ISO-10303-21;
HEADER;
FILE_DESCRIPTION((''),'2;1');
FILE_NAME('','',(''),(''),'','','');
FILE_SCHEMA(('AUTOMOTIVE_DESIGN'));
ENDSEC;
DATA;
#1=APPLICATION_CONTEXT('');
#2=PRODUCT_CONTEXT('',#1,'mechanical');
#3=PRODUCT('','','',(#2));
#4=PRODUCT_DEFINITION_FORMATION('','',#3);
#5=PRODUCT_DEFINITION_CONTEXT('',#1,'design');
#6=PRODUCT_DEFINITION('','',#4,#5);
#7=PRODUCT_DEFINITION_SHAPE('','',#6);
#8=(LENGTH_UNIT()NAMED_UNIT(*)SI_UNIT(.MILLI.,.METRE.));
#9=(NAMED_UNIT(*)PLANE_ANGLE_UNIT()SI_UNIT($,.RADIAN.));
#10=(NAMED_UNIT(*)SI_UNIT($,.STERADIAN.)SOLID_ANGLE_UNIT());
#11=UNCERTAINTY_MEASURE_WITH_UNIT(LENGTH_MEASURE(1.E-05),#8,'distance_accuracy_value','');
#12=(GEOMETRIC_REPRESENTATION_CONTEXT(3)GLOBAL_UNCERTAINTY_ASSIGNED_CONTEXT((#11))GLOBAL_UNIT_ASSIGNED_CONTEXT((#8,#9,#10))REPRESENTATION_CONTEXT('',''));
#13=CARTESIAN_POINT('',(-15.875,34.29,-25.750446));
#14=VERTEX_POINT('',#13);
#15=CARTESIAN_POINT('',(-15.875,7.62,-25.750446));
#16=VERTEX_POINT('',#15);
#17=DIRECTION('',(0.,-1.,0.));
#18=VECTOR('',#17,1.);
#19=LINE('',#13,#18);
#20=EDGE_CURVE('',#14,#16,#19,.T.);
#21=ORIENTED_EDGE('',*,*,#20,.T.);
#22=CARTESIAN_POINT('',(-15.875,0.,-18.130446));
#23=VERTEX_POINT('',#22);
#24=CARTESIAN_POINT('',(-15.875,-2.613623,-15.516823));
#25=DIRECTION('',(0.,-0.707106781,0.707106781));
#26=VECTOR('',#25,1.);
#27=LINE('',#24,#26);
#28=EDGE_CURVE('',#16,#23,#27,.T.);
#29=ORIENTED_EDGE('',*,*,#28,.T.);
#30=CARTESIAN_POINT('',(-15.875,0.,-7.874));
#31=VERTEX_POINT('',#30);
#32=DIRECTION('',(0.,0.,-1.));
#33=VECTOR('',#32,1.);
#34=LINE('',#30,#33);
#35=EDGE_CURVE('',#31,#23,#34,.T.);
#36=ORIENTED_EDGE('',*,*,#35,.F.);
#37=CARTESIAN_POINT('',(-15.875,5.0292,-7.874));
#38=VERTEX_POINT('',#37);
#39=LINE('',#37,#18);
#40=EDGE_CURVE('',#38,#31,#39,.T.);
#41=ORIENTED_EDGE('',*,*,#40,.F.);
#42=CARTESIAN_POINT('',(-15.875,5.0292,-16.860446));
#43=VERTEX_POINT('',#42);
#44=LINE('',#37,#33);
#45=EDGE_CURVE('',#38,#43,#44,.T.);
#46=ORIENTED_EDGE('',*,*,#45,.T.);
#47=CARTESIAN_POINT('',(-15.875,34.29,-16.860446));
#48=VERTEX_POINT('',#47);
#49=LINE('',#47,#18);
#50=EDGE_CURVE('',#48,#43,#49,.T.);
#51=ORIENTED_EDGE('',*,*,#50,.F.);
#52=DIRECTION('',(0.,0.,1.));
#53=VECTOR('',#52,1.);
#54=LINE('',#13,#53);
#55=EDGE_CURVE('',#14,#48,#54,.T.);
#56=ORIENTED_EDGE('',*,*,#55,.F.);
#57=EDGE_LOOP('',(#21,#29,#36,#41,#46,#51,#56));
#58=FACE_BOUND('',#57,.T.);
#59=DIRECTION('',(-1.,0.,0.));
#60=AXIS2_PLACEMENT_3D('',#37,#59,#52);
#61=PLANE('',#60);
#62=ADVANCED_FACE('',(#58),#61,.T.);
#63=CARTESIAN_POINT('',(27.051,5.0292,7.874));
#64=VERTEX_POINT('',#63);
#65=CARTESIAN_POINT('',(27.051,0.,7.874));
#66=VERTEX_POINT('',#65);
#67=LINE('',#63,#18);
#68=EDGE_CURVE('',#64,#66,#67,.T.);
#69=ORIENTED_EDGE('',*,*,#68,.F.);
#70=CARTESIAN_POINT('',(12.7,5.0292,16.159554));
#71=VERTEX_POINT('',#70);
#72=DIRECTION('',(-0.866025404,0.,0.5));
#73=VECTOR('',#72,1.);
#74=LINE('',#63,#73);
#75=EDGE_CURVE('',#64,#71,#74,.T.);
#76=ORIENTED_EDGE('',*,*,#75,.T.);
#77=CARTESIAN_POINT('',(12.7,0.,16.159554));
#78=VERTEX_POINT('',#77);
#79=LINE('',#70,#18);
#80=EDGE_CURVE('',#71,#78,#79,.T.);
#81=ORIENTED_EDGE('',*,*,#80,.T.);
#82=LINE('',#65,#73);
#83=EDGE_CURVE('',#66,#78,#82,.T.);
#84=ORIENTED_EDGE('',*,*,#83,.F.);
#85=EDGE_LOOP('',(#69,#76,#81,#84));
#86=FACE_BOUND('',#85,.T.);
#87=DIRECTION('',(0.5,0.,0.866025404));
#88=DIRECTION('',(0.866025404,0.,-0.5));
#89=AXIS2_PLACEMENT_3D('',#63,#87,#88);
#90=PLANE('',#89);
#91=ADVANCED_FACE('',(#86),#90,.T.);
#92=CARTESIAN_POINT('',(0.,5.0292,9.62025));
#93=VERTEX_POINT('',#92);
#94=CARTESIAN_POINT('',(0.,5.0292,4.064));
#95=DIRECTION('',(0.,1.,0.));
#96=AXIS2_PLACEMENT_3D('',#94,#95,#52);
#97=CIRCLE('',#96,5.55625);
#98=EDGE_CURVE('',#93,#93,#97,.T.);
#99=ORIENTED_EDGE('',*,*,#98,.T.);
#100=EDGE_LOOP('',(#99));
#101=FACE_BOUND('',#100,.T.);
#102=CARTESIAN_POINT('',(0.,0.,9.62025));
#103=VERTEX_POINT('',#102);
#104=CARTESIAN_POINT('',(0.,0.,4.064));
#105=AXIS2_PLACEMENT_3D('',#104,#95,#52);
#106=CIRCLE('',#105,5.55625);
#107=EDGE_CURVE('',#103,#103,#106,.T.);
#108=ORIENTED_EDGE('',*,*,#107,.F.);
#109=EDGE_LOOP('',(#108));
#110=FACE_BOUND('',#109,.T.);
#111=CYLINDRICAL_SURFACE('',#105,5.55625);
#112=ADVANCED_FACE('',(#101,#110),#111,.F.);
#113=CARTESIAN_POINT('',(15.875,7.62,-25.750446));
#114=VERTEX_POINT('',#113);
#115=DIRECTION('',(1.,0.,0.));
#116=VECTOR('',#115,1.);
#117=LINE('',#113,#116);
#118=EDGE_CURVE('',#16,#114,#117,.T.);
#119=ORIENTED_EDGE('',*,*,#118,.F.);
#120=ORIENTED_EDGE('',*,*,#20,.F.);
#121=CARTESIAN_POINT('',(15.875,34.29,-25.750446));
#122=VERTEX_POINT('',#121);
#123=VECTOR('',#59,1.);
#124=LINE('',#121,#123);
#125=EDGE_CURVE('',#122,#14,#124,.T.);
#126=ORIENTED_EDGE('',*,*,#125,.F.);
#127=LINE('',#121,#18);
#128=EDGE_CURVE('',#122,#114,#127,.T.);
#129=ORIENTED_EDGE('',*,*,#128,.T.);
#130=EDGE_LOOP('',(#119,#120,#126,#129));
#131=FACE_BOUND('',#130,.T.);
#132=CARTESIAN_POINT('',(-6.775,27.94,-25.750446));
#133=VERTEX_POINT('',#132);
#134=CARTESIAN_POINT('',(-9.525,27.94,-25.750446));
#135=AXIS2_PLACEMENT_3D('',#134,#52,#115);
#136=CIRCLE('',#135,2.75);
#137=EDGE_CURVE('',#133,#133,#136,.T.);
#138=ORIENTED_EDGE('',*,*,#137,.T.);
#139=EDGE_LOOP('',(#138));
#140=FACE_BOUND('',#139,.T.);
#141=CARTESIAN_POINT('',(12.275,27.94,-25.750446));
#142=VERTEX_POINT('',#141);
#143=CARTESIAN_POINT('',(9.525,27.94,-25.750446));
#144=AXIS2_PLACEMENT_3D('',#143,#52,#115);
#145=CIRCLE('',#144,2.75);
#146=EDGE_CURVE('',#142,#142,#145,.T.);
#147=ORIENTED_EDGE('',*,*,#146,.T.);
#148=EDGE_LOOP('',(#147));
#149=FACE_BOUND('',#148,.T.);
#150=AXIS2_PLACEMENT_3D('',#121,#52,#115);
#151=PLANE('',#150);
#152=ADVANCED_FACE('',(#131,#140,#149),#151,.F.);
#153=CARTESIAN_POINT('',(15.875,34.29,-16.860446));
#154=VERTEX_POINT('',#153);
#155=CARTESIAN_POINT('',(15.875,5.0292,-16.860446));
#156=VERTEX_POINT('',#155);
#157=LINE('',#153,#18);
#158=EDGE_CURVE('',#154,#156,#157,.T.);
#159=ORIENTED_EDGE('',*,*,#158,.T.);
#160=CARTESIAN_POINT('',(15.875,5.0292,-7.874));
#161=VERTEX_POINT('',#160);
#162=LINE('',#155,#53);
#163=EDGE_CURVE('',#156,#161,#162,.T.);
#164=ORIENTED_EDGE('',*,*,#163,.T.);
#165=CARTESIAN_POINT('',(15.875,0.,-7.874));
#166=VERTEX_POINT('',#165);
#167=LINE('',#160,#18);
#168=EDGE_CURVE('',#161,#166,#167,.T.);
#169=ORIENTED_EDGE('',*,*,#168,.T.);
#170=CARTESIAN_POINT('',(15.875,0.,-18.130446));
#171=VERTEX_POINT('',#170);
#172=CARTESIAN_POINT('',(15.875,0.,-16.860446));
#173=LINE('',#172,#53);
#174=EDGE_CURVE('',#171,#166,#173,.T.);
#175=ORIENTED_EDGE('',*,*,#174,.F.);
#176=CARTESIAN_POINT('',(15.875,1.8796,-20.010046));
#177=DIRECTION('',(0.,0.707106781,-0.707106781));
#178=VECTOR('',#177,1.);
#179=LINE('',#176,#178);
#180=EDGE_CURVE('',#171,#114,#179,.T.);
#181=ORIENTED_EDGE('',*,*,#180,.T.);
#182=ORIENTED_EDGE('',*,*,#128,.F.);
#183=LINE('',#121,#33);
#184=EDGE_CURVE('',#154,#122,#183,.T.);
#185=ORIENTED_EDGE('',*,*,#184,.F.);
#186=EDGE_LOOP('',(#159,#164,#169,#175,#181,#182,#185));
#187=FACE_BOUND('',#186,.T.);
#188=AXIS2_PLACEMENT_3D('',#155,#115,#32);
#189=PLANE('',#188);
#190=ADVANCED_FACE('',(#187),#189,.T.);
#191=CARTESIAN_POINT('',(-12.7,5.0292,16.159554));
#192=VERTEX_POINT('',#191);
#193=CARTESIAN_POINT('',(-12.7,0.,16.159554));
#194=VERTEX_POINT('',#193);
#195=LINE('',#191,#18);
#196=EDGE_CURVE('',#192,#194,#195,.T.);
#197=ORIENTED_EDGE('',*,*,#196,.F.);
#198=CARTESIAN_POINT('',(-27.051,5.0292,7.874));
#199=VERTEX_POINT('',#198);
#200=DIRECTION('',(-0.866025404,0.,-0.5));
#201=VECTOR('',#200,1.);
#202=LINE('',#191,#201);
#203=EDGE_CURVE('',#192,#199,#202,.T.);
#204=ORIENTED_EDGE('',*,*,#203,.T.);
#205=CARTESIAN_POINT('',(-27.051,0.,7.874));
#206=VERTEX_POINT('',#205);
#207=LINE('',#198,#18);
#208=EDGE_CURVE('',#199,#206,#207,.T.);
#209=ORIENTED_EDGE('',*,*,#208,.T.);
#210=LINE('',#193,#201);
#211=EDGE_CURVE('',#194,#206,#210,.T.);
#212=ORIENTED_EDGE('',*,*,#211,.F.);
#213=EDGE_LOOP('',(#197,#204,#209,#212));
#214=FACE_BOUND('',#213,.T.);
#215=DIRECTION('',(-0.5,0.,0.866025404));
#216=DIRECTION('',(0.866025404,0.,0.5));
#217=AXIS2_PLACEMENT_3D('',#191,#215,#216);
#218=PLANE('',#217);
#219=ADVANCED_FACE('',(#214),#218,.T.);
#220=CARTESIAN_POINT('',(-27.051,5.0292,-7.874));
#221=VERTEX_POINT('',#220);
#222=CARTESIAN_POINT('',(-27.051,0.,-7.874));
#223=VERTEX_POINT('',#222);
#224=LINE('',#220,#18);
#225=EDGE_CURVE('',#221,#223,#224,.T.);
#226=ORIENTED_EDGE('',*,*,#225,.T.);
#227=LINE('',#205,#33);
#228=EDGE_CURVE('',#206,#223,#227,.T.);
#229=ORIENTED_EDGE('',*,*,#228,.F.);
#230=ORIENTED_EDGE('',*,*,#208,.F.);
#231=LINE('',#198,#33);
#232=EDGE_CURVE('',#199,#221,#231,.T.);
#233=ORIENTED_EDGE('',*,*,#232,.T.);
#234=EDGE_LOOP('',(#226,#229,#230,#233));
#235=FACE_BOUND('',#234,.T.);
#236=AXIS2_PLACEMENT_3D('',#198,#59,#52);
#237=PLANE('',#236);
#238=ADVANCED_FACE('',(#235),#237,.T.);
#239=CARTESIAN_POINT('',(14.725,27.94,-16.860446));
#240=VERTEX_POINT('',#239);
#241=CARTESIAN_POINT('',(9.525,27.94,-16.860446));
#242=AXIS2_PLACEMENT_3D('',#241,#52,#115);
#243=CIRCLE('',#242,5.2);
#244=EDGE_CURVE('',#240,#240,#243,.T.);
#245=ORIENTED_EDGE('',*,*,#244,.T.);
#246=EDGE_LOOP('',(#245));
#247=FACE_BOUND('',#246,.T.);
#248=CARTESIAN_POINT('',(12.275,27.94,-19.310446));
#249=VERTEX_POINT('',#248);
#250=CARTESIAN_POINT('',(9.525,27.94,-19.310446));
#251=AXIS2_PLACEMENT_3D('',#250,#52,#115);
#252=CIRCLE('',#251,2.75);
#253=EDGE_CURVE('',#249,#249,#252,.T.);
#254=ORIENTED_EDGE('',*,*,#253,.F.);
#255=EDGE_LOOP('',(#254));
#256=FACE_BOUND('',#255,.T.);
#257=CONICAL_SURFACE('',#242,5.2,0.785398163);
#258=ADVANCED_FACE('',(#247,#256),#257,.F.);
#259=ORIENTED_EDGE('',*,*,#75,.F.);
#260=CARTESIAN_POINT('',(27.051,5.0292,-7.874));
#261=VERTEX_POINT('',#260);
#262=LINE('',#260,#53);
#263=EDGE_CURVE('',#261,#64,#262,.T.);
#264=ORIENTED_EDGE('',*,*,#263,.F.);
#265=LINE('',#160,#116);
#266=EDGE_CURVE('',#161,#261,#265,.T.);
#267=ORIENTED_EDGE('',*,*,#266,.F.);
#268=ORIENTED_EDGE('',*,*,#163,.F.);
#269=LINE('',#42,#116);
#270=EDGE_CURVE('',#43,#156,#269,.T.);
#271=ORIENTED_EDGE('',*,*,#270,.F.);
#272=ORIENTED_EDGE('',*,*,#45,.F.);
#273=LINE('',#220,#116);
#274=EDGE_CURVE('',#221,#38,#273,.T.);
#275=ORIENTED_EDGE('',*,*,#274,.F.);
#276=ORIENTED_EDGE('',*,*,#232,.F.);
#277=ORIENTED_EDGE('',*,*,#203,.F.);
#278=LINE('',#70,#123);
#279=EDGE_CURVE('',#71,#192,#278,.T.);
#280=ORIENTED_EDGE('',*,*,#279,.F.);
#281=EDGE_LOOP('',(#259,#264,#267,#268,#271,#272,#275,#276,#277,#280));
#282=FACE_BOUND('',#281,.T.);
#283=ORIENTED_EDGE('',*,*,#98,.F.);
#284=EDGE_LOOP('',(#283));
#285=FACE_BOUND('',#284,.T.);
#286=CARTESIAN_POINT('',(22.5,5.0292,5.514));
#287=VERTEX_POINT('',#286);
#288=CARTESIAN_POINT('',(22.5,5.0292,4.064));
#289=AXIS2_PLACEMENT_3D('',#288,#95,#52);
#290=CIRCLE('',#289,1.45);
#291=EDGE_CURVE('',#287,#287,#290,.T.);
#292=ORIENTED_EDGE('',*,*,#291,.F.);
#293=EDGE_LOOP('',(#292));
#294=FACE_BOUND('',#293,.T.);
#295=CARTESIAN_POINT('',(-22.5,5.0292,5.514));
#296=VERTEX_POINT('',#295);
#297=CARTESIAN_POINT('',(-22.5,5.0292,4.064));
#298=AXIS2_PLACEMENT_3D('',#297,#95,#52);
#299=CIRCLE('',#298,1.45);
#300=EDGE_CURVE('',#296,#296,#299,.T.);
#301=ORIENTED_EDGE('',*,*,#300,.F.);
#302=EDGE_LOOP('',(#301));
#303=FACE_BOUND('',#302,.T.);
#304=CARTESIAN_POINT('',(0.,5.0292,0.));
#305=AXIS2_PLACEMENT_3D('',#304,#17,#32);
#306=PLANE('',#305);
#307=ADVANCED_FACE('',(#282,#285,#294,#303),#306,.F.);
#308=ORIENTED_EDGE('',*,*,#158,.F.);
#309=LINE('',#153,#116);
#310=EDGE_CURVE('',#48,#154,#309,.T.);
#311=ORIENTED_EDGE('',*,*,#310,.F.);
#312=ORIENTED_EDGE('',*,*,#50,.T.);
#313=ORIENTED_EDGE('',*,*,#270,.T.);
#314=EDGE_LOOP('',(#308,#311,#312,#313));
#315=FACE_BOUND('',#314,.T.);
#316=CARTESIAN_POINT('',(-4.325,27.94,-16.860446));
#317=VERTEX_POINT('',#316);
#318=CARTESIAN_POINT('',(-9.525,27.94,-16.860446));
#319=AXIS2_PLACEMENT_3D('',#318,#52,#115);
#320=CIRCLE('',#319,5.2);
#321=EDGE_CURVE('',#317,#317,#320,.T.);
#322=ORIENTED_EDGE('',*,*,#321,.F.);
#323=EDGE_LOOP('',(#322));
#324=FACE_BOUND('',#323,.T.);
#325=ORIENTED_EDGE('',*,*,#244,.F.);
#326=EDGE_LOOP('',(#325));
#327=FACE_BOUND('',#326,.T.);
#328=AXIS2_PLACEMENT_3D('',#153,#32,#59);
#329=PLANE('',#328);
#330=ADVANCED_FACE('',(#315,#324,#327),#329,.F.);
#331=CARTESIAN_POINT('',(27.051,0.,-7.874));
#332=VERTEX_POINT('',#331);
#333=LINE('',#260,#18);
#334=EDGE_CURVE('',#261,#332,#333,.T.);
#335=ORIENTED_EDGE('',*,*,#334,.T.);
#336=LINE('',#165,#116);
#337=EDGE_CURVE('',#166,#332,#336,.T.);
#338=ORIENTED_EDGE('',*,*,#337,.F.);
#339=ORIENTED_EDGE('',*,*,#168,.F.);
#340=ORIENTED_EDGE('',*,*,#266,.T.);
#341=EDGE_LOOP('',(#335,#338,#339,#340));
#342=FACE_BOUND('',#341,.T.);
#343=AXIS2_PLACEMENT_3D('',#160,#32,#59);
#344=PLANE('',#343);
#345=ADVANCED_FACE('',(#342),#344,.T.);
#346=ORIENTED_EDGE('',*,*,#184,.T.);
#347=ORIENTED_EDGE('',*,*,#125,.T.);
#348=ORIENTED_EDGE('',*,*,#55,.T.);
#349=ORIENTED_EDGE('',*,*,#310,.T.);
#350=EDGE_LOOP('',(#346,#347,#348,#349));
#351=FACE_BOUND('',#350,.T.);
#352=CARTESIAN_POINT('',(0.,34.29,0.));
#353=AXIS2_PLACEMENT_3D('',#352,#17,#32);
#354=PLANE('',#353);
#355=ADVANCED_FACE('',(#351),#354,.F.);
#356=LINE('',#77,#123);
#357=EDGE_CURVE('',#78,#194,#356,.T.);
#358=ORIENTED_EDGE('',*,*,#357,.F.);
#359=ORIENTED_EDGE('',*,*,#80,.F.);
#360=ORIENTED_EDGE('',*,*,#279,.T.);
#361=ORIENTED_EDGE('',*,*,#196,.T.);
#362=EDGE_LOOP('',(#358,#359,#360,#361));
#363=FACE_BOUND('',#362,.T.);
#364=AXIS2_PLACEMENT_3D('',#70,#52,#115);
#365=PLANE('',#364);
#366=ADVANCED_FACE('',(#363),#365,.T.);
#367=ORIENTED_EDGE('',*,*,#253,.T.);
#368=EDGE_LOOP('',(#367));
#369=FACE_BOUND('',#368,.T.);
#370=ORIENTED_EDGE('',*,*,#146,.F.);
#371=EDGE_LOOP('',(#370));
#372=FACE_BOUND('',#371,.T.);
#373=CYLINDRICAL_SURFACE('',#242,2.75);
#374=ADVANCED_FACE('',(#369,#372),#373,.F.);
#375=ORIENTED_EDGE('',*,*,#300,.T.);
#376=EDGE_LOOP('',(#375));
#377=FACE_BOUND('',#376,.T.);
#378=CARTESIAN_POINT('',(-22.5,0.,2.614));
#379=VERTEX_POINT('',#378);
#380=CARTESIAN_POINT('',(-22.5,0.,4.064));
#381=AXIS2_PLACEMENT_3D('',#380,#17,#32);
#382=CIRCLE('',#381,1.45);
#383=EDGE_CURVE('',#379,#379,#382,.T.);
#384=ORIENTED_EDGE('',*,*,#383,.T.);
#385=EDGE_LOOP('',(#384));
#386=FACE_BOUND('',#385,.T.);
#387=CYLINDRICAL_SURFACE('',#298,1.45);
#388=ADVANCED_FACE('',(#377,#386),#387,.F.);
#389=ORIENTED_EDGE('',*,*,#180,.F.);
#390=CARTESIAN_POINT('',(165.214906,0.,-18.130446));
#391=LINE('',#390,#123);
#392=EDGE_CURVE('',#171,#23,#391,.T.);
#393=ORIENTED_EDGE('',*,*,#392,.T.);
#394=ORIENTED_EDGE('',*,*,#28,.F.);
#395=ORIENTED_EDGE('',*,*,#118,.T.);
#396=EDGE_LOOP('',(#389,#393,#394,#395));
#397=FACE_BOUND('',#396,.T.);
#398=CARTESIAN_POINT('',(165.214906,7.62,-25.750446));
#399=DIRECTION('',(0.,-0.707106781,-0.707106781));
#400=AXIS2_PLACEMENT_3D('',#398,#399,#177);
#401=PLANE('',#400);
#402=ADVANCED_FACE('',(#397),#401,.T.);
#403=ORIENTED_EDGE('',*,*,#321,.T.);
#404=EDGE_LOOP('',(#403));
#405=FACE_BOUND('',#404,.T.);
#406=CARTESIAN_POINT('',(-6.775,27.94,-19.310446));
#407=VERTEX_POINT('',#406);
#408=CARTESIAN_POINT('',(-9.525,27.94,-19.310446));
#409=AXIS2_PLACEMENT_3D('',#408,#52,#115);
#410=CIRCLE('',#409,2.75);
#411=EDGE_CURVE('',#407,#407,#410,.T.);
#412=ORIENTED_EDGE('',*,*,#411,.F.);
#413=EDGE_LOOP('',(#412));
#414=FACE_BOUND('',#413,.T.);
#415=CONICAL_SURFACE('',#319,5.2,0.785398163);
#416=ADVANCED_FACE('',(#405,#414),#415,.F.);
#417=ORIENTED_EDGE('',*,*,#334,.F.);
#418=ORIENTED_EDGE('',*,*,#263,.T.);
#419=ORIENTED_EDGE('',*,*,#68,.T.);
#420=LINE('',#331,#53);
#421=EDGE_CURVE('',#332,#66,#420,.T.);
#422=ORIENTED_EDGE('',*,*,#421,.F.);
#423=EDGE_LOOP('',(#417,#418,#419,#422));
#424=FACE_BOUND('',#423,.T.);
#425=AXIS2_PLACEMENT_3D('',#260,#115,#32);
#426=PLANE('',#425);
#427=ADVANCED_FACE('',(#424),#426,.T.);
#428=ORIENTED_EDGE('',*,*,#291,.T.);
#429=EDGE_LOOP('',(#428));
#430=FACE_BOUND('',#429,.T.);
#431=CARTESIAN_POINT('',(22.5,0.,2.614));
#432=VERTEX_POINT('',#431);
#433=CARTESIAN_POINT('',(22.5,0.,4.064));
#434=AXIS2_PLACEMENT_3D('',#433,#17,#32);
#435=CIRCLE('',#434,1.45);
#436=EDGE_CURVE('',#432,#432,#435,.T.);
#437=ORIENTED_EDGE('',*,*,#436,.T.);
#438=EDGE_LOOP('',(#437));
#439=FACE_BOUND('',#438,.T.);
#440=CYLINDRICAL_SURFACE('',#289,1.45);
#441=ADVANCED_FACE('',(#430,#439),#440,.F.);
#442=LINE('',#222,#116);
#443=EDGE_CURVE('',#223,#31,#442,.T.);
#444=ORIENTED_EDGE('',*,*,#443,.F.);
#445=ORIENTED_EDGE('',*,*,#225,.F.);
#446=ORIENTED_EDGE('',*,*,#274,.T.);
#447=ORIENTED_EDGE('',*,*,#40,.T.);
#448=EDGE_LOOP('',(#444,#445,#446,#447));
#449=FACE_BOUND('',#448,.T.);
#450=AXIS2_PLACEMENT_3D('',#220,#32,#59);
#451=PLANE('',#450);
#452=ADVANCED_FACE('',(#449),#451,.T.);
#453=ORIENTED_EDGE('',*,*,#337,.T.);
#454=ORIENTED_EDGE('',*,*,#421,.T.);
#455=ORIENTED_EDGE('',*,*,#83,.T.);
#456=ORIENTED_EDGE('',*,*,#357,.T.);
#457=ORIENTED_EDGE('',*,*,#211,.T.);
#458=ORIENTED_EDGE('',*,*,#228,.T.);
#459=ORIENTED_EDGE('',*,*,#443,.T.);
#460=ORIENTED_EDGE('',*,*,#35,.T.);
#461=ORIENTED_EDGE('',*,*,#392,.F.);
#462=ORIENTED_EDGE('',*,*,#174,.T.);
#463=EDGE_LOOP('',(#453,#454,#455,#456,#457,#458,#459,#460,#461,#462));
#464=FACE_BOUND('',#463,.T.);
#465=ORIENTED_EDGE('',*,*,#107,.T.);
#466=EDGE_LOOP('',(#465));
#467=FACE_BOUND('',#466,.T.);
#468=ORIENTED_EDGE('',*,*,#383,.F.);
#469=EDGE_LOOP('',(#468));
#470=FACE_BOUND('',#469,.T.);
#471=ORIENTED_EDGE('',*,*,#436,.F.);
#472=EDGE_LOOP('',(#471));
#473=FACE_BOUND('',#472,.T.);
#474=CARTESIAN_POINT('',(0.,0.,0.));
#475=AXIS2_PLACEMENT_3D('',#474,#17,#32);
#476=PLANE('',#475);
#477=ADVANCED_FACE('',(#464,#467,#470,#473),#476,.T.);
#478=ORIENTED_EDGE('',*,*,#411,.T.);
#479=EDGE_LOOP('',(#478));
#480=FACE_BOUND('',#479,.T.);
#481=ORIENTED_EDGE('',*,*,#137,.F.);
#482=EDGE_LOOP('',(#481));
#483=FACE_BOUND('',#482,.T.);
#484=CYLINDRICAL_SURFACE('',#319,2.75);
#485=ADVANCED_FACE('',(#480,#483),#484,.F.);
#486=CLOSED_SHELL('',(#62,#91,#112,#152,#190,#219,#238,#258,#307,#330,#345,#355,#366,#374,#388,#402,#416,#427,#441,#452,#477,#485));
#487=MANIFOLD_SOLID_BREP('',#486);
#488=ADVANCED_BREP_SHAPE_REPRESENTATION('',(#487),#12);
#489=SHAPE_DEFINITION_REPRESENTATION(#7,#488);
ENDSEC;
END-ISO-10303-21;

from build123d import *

# Parameters (mm, degrees)
BOSS_EXTRUDE1_DEPTH                             = 5.0292
SKETCH2_W                                       = 31.75
SKETCH2_H                                       = 8.89
BOSS_EXTRUDE2_DEPTH                             = 34.29
CUT_EXTRUDE1_DEPTH                              = 61.675621628
CUT_EXTRUDE1_DEPTH_BACK                         = 61.675621628
CSK_FOR_M5_FLAT_HEAD_MACHINE_SCREW1_D           = 5.5
CSK_FOR_M5_FLAT_HEAD_MACHINE_SCREW1_CSINK_D     = 10.4
CSK_FOR_M5_FLAT_HEAD_MACHINE_SCREW1_CSINK_ANGLE = 90
SKETCH7_R                                       = 5.55625
CUT_EXTRUDE2_DEPTH                              = 48.445089331
M2_5_CLEARANCE_HOLE1_D                          = 2.9


with BuildPart() as part:
    # Sketch1 → Boss-Extrude1 (new body)
    with BuildSketch(Plane(origin=(0, 0, 0), x_dir=(1, 0, 0), z_dir=(0, 1, 0))):
        Polygon((-27.051, 7.874), (-15.875, 7.874), (-15.875, 16.860446287), (15.875, 16.860446287), (15.875, 7.874), (27.051, 7.874), (27.051, -7.874), (12.7, -16.159553713), (-12.7, -16.159553713), (-27.051, -7.874), align=None)
    extrude(amount=BOSS_EXTRUDE1_DEPTH)

    # Sketch2 → Boss-Extrude2 (add)
    with BuildSketch(Plane(origin=(0, 0, 0), x_dir=(1, 0, 0), z_dir=(0, 1, 0))):
        with Locations((0, 21.305446287)):
            Rectangle(SKETCH2_W, SKETCH2_H)
    extrude(amount=BOSS_EXTRUDE2_DEPTH)

    # Sketch3 → Cut-Extrude1 (cut, two sides: drawn at the far end of the back side and taken through both)
    with BuildSketch(Plane(origin=(15.875, 0, 0), x_dir=(0, 0, -1), z_dir=(1, 0, 0)).offset(-CUT_EXTRUDE1_DEPTH_BACK)):
        Polygon((103.074442863, 84.943996576), (25.750446287, 7.62), (18.130446287, 0), (-59.19355029, -77.323996576), (95.454442863, -231.971989729), (257.722436016, -69.703996576), align=None)
    extrude(amount=CUT_EXTRUDE1_DEPTH + CUT_EXTRUDE1_DEPTH_BACK, mode=Mode.SUBTRACT)

    # CSK for M5 Flat Head Machine Screw1 (through all)
    with Locations(Plane.XY.offset(-16.860446287)):
        with Locations((-9.525, 27.94), (9.525, 27.94)):
            CounterSinkHole(CSK_FOR_M5_FLAT_HEAD_MACHINE_SCREW1_D / 2, CSK_FOR_M5_FLAT_HEAD_MACHINE_SCREW1_CSINK_D / 2, counter_sink_angle=CSK_FOR_M5_FLAT_HEAD_MACHINE_SCREW1_CSINK_ANGLE)

    # Sketch7 → Cut-Extrude2 (cut, through all)
    with BuildSketch(Plane(origin=(0, 5.0292, 0), x_dir=(1, 0, 0), z_dir=(0, 1, 0))):
        with Locations(Location((0, -4.064, 0), (0, 0, 270))):
            Circle(SKETCH7_R)
    extrude(amount=-CUT_EXTRUDE2_DEPTH, mode=Mode.SUBTRACT)

    # M2.5 Clearance Hole1 (through all)
    with Locations(Plane(origin=(0, 5.0292, 0), x_dir=(1, 0, 0), z_dir=(0, 1, 0))):
        with Locations((-22.5, -4.064), (22.5, -4.064)):
            Hole(M2_5_CLEARANCE_HOLE1_D / 2)


solid = part.part
